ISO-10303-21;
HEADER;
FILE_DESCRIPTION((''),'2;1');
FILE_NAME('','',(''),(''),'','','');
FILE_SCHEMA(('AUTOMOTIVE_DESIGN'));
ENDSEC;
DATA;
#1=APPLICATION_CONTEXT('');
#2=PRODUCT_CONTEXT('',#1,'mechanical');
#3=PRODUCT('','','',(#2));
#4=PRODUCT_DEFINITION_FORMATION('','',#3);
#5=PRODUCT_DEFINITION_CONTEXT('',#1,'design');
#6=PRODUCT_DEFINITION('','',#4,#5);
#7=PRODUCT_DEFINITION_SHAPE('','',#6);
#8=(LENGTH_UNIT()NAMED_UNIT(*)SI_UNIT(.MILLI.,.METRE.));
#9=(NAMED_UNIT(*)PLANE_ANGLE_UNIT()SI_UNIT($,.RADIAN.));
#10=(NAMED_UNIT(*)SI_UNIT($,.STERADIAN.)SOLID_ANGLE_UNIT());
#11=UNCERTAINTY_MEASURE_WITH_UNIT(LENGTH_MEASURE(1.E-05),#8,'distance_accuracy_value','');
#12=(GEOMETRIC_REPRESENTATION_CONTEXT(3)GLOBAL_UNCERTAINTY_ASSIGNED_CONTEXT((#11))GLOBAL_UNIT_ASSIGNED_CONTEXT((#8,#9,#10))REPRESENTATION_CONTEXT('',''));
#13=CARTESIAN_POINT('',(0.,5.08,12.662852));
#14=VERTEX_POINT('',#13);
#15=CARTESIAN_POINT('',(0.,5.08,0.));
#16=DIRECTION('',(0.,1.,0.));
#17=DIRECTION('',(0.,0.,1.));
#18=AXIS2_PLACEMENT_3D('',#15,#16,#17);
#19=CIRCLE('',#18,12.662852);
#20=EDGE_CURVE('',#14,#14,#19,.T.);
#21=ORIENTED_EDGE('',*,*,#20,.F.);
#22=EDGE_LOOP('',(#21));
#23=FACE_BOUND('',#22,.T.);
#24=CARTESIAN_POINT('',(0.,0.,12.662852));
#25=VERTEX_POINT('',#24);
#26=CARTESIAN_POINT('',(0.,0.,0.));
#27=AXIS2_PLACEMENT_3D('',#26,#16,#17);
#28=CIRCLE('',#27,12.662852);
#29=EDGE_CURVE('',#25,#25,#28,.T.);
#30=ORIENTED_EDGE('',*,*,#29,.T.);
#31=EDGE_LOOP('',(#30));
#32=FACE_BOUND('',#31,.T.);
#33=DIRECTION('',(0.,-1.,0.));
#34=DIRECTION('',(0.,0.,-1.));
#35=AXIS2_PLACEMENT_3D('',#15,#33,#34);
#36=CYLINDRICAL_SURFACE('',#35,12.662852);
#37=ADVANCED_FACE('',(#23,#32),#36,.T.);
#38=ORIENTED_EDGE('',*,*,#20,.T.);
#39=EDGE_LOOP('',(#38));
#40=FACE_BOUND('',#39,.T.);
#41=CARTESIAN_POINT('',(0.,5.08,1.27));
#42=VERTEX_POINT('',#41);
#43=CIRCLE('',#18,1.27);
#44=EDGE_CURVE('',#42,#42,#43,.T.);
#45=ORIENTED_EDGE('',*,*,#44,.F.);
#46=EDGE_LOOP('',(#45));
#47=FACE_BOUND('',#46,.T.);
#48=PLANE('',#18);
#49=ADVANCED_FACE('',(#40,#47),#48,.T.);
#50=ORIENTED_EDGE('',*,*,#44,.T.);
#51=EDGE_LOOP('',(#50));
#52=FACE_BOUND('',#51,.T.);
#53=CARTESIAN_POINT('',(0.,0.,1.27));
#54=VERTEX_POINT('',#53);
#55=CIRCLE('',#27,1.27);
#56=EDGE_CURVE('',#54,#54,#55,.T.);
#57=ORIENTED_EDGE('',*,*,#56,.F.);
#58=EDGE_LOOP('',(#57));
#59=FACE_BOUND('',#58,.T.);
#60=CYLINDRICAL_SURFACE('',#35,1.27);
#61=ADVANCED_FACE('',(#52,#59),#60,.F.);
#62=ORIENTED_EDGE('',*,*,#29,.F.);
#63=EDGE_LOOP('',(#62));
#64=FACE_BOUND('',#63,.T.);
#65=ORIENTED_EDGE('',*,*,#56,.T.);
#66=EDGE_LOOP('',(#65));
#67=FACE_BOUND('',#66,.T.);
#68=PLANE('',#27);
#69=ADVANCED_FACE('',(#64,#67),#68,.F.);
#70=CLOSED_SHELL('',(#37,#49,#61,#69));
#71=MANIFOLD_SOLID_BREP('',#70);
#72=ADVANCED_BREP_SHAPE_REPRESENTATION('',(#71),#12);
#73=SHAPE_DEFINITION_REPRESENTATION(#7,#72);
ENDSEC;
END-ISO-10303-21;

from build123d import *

# Parameters (mm, degrees)
SKETCH1_R           = 12.662852008
SKETCH1_R_2         = 1.27
BOSS_EXTRUDE2_DEPTH = 5.08


with BuildPart() as part:
    # Sketch1 → Boss-Extrude2 (new body)
    with BuildSketch(Plane(origin=(0, 0, 0), x_dir=(1, 0, 0), z_dir=(0, 1, 0))):
        Circle(SKETCH1_R)
        Circle(SKETCH1_R_2, mode=Mode.SUBTRACT)
    extrude(amount=BOSS_EXTRUDE2_DEPTH)


solid = part.part
